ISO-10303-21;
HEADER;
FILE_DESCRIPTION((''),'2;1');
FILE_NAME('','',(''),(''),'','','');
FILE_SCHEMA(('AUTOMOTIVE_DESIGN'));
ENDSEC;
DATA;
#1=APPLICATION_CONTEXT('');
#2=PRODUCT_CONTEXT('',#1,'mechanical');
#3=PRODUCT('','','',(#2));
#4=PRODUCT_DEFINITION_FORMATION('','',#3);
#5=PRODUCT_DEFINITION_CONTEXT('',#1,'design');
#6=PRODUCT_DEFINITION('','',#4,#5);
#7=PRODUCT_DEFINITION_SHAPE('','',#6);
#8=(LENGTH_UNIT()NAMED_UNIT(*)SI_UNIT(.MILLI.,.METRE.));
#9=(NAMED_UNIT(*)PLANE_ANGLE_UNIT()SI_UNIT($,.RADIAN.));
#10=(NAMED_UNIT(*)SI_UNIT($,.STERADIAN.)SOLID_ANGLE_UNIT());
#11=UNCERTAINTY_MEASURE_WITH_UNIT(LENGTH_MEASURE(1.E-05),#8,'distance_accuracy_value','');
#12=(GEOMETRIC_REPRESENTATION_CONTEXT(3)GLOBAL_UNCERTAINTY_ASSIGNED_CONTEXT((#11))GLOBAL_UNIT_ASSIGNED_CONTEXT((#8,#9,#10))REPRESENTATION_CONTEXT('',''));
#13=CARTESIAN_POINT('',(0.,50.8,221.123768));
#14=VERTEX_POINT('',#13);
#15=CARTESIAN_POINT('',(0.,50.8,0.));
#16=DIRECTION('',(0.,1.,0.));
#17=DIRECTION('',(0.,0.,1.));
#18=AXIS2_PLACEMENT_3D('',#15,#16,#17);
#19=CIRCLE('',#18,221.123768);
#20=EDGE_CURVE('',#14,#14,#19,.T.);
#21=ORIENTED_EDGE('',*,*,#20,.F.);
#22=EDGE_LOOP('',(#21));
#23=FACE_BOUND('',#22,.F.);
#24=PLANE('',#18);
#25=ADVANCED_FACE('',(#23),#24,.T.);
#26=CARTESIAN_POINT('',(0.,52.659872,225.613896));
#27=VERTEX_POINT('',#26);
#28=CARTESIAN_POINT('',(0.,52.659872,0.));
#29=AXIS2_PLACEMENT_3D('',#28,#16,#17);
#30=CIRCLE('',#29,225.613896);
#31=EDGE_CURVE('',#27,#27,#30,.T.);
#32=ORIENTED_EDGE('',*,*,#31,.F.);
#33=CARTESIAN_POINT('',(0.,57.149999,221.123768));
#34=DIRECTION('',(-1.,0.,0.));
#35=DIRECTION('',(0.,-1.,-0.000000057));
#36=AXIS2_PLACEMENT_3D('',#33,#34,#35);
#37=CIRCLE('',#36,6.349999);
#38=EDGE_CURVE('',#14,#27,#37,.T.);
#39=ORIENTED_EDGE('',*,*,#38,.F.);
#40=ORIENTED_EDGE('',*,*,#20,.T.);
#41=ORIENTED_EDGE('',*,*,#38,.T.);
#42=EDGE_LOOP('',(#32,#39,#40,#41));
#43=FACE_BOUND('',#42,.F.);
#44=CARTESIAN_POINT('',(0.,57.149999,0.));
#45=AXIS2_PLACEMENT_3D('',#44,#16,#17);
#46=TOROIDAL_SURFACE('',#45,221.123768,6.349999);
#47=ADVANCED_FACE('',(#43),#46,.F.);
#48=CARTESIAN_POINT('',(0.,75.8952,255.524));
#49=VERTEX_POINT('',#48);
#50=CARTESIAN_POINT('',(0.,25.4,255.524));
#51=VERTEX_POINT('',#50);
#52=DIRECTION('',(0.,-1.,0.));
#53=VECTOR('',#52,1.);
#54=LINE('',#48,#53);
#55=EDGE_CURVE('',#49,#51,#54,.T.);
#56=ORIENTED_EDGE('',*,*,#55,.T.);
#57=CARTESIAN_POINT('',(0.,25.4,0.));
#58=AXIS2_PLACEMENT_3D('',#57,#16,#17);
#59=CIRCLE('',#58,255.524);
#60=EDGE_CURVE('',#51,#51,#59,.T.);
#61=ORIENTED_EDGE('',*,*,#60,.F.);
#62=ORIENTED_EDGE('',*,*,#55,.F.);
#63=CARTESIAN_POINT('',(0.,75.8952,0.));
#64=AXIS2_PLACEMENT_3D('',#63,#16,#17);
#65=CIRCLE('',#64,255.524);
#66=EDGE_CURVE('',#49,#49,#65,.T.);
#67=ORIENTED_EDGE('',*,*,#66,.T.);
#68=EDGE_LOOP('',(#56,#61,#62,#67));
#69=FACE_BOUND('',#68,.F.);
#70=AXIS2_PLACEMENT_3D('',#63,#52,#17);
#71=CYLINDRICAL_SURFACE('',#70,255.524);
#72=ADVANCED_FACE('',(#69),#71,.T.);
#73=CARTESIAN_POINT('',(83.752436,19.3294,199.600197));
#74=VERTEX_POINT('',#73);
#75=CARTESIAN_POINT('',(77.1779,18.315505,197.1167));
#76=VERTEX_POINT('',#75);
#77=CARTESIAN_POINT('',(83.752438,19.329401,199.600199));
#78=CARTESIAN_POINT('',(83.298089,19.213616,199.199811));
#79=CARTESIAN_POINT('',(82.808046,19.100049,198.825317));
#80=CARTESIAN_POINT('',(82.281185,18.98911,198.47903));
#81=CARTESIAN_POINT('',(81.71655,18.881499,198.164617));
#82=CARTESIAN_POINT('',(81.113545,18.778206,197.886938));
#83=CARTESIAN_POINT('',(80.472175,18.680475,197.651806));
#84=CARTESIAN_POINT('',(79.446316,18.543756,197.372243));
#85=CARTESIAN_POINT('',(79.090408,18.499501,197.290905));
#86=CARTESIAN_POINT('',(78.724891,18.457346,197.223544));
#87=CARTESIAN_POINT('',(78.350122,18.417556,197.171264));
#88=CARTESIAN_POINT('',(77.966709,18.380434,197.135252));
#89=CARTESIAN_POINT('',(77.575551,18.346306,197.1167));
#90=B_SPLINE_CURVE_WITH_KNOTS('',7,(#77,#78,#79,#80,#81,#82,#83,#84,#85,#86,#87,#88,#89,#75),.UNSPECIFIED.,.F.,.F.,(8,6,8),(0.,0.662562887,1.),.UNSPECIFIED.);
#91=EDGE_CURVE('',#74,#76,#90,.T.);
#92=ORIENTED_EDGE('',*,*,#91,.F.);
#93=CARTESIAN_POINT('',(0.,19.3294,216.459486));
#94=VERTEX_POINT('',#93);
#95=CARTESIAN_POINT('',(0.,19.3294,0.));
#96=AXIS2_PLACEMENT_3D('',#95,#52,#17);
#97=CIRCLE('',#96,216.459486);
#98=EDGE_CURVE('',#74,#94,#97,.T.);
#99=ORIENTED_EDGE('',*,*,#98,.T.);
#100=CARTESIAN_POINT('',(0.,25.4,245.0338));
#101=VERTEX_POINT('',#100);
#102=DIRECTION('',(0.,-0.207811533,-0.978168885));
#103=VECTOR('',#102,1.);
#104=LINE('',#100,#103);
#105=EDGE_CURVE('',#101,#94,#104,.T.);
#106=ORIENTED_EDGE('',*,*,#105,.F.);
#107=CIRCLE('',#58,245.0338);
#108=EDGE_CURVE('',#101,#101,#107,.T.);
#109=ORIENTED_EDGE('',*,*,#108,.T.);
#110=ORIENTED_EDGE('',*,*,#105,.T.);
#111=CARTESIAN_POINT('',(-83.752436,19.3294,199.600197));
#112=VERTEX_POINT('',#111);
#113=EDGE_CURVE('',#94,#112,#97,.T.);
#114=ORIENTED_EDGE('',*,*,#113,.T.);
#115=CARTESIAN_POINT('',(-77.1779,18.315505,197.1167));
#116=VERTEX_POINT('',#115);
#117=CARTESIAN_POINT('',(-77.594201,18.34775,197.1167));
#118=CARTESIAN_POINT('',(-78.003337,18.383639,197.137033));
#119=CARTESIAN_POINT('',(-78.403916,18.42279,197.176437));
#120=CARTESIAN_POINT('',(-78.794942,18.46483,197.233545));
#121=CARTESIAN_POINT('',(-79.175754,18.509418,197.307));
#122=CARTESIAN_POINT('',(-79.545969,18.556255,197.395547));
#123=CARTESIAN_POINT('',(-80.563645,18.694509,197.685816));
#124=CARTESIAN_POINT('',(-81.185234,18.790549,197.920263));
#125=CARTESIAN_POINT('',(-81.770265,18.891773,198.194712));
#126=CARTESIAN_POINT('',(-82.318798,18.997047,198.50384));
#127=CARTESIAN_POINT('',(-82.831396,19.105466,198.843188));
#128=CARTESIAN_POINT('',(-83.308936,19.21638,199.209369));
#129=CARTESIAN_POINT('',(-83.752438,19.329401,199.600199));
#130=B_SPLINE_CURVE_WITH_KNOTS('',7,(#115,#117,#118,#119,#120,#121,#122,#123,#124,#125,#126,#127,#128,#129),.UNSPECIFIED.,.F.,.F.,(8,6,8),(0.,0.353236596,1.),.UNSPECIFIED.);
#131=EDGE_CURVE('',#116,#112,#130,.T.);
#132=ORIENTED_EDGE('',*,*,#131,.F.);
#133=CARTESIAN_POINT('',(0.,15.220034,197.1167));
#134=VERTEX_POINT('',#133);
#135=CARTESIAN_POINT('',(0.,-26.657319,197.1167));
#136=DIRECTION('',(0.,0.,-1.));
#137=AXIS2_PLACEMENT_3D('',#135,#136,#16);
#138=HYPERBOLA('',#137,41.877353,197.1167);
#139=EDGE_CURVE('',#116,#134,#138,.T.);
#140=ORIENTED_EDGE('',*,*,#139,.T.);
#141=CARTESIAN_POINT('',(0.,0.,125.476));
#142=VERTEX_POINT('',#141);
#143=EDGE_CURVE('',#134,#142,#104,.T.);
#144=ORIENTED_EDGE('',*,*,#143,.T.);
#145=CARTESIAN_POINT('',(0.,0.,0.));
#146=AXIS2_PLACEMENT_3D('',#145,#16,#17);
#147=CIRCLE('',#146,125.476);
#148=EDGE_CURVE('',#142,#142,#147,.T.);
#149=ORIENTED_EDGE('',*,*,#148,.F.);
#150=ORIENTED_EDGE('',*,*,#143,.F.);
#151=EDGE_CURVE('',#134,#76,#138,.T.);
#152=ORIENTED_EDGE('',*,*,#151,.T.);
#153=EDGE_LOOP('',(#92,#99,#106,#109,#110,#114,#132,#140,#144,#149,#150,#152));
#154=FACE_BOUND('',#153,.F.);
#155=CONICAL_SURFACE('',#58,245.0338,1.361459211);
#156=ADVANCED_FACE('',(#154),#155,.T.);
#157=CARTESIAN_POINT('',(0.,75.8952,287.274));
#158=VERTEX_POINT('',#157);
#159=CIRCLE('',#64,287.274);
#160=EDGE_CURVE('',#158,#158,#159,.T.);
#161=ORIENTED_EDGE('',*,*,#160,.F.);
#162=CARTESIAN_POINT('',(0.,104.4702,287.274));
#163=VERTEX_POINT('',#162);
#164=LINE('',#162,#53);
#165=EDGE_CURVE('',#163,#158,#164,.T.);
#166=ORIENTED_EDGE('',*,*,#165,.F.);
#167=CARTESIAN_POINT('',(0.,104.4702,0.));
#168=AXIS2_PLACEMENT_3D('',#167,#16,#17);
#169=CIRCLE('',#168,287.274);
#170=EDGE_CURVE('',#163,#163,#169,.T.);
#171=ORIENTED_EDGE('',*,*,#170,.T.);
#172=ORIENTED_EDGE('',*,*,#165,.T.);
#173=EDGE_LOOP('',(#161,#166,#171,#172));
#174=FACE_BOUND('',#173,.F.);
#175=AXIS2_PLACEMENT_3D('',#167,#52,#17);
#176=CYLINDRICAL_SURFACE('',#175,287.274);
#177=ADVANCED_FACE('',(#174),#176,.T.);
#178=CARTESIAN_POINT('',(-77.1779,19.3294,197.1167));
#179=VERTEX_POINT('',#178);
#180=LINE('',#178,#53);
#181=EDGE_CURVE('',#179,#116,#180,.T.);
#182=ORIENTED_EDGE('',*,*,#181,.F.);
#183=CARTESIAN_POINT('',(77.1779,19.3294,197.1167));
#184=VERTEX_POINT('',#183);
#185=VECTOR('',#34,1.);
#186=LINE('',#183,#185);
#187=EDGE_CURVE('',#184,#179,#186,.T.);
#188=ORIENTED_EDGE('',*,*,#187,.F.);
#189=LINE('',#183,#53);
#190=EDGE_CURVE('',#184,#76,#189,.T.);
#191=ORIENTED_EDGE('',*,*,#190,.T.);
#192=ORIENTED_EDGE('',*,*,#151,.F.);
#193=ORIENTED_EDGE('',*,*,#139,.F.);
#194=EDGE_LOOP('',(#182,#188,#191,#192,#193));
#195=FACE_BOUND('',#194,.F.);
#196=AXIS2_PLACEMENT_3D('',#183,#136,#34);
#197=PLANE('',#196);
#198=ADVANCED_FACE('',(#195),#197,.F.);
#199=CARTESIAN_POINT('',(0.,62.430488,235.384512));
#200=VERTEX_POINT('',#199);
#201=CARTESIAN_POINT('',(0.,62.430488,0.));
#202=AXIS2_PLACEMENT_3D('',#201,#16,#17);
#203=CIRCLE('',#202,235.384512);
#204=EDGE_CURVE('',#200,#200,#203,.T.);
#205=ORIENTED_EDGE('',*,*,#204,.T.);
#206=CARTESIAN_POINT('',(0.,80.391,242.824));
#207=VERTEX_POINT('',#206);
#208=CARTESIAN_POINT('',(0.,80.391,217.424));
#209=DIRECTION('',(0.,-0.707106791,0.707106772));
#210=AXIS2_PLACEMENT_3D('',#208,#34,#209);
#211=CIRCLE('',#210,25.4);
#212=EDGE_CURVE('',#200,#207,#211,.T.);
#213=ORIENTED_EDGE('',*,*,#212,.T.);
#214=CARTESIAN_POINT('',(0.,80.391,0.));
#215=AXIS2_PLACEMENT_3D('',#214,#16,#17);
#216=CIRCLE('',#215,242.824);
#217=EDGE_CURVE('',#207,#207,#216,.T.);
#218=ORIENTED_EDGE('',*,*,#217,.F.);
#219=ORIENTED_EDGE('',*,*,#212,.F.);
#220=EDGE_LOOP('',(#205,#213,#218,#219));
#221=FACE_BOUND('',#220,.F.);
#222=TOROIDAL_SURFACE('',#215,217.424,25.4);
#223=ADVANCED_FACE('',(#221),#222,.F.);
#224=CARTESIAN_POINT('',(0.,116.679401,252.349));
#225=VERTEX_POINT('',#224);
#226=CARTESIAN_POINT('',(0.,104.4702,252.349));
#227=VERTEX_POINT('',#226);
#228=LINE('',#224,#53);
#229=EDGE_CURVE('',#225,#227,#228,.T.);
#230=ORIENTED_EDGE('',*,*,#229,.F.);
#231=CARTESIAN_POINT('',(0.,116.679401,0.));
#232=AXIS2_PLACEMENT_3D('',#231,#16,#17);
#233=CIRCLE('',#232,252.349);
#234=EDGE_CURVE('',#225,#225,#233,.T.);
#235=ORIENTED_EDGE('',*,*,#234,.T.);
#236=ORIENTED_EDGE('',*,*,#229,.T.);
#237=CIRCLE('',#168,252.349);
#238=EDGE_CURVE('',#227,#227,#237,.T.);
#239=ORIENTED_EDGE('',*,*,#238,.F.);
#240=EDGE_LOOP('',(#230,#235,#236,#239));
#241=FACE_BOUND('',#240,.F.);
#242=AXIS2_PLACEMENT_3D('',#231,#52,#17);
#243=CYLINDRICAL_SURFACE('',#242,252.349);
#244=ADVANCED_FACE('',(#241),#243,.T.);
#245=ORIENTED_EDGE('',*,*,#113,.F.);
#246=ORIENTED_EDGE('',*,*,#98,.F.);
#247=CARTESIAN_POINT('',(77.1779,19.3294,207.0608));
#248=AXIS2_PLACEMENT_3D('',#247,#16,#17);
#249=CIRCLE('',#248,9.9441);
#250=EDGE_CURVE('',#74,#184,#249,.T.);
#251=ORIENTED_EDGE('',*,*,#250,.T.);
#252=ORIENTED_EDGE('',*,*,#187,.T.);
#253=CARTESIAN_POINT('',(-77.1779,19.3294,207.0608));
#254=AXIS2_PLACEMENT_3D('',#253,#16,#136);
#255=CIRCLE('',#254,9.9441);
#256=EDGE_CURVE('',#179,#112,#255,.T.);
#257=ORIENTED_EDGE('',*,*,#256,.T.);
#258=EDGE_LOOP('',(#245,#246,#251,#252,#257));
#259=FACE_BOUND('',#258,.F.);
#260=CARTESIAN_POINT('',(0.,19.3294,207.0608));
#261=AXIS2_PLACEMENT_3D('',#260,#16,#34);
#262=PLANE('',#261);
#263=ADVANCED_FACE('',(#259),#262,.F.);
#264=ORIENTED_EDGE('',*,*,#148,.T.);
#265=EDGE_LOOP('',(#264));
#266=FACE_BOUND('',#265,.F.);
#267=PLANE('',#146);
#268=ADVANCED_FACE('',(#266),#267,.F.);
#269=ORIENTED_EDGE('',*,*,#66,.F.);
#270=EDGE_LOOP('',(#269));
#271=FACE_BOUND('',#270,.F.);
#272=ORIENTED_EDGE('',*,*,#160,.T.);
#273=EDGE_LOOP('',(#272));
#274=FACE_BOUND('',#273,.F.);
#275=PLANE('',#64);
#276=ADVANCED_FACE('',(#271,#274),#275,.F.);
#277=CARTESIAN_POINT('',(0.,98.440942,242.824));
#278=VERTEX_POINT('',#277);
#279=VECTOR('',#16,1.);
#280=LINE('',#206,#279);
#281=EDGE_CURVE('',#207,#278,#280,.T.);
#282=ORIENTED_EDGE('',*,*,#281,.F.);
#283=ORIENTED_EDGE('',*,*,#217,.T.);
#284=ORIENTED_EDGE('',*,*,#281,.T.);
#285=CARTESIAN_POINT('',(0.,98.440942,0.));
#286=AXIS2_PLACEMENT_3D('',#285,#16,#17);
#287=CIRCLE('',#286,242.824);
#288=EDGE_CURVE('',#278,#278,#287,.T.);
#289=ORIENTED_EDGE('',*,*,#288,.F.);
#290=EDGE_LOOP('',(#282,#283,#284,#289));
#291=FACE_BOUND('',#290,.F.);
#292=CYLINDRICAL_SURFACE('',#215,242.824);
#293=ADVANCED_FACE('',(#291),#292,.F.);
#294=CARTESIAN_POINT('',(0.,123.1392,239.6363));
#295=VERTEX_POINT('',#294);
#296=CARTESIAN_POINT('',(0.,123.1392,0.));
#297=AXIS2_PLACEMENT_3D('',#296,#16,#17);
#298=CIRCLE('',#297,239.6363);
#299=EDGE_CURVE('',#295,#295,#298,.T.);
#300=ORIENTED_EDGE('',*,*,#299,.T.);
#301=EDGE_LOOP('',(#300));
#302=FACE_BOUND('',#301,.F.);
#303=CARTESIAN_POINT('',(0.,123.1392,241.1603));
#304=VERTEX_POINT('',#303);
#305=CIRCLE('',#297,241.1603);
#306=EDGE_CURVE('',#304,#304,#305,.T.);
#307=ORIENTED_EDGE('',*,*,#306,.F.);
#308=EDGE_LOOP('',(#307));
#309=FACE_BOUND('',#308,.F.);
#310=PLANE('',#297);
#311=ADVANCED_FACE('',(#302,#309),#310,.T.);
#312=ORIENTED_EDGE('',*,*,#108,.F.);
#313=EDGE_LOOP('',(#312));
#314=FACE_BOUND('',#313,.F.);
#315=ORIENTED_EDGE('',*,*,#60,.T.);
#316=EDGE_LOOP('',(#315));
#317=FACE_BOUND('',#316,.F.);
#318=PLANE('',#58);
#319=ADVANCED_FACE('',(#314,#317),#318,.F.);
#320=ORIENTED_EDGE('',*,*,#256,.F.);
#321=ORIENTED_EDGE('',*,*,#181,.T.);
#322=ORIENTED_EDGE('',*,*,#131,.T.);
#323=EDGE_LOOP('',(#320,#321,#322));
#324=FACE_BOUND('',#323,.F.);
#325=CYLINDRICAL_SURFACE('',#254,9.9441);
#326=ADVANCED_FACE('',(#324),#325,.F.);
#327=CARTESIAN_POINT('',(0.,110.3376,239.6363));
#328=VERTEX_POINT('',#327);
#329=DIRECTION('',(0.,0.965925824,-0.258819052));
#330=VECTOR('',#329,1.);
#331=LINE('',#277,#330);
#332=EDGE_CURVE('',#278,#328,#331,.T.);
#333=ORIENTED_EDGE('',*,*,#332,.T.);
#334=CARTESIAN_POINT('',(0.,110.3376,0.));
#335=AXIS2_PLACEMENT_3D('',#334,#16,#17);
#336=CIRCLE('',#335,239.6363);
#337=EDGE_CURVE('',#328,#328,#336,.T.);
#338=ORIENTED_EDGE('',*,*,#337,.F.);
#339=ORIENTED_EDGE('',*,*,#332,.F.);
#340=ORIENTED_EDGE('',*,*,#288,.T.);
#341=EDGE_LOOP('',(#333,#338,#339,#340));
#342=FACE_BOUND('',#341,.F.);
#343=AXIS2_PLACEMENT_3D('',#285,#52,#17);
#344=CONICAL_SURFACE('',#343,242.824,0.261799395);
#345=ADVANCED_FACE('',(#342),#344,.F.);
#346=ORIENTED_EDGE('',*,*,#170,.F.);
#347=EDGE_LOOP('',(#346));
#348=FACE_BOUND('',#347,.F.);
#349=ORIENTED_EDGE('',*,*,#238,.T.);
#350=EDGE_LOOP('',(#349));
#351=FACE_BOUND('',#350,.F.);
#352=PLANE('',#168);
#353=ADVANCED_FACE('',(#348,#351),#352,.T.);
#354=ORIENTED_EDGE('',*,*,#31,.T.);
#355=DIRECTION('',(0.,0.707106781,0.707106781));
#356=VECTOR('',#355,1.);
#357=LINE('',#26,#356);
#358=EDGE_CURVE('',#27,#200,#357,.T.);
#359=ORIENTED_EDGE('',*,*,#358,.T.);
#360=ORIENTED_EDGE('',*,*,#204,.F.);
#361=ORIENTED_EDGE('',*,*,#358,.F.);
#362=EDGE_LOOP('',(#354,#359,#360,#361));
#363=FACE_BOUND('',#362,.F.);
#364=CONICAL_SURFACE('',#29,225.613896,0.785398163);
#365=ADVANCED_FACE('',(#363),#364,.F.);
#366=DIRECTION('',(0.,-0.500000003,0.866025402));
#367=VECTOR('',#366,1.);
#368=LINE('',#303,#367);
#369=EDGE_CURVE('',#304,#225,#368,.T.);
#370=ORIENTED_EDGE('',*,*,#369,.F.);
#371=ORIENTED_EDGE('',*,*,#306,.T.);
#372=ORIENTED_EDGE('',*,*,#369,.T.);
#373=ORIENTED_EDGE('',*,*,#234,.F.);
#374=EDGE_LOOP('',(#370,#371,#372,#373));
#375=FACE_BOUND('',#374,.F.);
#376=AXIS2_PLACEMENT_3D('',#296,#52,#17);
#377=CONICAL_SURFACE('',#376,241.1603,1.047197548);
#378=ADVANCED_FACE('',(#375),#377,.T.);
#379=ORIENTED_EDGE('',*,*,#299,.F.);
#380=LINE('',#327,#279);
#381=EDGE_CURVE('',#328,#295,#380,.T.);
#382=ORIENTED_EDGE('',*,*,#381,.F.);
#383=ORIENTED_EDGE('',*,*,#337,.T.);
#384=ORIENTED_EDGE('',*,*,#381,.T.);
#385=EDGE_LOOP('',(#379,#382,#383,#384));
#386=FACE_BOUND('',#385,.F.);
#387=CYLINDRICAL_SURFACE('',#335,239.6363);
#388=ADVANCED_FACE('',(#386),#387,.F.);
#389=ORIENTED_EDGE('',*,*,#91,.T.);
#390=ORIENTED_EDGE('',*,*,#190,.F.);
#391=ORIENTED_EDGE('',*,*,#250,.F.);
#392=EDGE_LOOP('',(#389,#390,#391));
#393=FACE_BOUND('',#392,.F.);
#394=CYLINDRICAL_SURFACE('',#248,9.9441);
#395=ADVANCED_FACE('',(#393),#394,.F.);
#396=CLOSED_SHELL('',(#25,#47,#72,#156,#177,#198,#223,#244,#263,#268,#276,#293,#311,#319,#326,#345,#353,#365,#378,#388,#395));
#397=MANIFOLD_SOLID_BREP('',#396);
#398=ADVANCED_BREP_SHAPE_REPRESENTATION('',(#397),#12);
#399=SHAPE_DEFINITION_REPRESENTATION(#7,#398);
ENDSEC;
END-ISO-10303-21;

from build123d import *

# Parameters (mm, degrees)
F4_DEPTH = 19.3304


with BuildPart() as f1:
    # F0 (on Right) → F1 (revolve)
    with BuildSketch(Plane.YZ):
        with BuildLine():
            Line((123.1392, 241.1603), (116.679401, 252.349))
            Line((116.679401, 252.349), (104.4702, 252.349))
            Line((104.4702, 252.349), (104.4702, 287.274))
            Line((104.4702, 287.274), (75.8952, 287.274))
            Line((75.8952, 287.274), (75.8952, 255.524))
            Line((75.8952, 255.524), (25.4, 255.524))
            Line((25.4, 255.524), (25.4, 245.0338))
            Line((25.4, 245.0338), (0, 125.476))
            Line((0, 125.476), (0, 0))
            Line((0, 0), (50.8, 0))
            Line((50.8, 0), (50.8, 221.123768))
            ThreePointArc((50.8, 221.123768), (51.283365, 223.553808), (52.659872, 225.613896))
            Line((52.659872, 225.613896), (62.430488, 235.384512))
            ThreePointArc((62.430488, 235.384512), (70.670841, 240.89054), (80.391, 242.824))
            Line((80.391, 242.824), (98.440942, 242.824))
            Line((98.440942, 242.824), (110.3376, 239.6363))
            Line((110.3376, 239.6363), (123.1392, 239.6363))
            Line((123.1392, 239.6363), (123.1392, 241.1603))
        make_face()
    revolve(axis=Axis((0, 61.5696, 0), (0, 1, 0)))

    # F3 (on offset) → F4 (cut, through all)
    with BuildSketch(Plane(origin=(0, 19.3294, 0), x_dir=(-1, 0, 0), z_dir=(0, 1, 0))):
        with BuildLine():
            Line((-77.1779, 197.1167), (77.1779, 197.1167))
            ThreePointArc((77.1779, 197.1167), (87.122, 207.0608), (77.1779, 217.0049))
            Line((77.1779, 217.0049), (-77.1779, 217.0049))
            ThreePointArc((-77.1779, 217.0049), (-87.122, 207.0608), (-77.1779, 197.1167))
        make_face()
    extrude(amount=-F4_DEPTH, mode=Mode.SUBTRACT)


solid = f1.part
